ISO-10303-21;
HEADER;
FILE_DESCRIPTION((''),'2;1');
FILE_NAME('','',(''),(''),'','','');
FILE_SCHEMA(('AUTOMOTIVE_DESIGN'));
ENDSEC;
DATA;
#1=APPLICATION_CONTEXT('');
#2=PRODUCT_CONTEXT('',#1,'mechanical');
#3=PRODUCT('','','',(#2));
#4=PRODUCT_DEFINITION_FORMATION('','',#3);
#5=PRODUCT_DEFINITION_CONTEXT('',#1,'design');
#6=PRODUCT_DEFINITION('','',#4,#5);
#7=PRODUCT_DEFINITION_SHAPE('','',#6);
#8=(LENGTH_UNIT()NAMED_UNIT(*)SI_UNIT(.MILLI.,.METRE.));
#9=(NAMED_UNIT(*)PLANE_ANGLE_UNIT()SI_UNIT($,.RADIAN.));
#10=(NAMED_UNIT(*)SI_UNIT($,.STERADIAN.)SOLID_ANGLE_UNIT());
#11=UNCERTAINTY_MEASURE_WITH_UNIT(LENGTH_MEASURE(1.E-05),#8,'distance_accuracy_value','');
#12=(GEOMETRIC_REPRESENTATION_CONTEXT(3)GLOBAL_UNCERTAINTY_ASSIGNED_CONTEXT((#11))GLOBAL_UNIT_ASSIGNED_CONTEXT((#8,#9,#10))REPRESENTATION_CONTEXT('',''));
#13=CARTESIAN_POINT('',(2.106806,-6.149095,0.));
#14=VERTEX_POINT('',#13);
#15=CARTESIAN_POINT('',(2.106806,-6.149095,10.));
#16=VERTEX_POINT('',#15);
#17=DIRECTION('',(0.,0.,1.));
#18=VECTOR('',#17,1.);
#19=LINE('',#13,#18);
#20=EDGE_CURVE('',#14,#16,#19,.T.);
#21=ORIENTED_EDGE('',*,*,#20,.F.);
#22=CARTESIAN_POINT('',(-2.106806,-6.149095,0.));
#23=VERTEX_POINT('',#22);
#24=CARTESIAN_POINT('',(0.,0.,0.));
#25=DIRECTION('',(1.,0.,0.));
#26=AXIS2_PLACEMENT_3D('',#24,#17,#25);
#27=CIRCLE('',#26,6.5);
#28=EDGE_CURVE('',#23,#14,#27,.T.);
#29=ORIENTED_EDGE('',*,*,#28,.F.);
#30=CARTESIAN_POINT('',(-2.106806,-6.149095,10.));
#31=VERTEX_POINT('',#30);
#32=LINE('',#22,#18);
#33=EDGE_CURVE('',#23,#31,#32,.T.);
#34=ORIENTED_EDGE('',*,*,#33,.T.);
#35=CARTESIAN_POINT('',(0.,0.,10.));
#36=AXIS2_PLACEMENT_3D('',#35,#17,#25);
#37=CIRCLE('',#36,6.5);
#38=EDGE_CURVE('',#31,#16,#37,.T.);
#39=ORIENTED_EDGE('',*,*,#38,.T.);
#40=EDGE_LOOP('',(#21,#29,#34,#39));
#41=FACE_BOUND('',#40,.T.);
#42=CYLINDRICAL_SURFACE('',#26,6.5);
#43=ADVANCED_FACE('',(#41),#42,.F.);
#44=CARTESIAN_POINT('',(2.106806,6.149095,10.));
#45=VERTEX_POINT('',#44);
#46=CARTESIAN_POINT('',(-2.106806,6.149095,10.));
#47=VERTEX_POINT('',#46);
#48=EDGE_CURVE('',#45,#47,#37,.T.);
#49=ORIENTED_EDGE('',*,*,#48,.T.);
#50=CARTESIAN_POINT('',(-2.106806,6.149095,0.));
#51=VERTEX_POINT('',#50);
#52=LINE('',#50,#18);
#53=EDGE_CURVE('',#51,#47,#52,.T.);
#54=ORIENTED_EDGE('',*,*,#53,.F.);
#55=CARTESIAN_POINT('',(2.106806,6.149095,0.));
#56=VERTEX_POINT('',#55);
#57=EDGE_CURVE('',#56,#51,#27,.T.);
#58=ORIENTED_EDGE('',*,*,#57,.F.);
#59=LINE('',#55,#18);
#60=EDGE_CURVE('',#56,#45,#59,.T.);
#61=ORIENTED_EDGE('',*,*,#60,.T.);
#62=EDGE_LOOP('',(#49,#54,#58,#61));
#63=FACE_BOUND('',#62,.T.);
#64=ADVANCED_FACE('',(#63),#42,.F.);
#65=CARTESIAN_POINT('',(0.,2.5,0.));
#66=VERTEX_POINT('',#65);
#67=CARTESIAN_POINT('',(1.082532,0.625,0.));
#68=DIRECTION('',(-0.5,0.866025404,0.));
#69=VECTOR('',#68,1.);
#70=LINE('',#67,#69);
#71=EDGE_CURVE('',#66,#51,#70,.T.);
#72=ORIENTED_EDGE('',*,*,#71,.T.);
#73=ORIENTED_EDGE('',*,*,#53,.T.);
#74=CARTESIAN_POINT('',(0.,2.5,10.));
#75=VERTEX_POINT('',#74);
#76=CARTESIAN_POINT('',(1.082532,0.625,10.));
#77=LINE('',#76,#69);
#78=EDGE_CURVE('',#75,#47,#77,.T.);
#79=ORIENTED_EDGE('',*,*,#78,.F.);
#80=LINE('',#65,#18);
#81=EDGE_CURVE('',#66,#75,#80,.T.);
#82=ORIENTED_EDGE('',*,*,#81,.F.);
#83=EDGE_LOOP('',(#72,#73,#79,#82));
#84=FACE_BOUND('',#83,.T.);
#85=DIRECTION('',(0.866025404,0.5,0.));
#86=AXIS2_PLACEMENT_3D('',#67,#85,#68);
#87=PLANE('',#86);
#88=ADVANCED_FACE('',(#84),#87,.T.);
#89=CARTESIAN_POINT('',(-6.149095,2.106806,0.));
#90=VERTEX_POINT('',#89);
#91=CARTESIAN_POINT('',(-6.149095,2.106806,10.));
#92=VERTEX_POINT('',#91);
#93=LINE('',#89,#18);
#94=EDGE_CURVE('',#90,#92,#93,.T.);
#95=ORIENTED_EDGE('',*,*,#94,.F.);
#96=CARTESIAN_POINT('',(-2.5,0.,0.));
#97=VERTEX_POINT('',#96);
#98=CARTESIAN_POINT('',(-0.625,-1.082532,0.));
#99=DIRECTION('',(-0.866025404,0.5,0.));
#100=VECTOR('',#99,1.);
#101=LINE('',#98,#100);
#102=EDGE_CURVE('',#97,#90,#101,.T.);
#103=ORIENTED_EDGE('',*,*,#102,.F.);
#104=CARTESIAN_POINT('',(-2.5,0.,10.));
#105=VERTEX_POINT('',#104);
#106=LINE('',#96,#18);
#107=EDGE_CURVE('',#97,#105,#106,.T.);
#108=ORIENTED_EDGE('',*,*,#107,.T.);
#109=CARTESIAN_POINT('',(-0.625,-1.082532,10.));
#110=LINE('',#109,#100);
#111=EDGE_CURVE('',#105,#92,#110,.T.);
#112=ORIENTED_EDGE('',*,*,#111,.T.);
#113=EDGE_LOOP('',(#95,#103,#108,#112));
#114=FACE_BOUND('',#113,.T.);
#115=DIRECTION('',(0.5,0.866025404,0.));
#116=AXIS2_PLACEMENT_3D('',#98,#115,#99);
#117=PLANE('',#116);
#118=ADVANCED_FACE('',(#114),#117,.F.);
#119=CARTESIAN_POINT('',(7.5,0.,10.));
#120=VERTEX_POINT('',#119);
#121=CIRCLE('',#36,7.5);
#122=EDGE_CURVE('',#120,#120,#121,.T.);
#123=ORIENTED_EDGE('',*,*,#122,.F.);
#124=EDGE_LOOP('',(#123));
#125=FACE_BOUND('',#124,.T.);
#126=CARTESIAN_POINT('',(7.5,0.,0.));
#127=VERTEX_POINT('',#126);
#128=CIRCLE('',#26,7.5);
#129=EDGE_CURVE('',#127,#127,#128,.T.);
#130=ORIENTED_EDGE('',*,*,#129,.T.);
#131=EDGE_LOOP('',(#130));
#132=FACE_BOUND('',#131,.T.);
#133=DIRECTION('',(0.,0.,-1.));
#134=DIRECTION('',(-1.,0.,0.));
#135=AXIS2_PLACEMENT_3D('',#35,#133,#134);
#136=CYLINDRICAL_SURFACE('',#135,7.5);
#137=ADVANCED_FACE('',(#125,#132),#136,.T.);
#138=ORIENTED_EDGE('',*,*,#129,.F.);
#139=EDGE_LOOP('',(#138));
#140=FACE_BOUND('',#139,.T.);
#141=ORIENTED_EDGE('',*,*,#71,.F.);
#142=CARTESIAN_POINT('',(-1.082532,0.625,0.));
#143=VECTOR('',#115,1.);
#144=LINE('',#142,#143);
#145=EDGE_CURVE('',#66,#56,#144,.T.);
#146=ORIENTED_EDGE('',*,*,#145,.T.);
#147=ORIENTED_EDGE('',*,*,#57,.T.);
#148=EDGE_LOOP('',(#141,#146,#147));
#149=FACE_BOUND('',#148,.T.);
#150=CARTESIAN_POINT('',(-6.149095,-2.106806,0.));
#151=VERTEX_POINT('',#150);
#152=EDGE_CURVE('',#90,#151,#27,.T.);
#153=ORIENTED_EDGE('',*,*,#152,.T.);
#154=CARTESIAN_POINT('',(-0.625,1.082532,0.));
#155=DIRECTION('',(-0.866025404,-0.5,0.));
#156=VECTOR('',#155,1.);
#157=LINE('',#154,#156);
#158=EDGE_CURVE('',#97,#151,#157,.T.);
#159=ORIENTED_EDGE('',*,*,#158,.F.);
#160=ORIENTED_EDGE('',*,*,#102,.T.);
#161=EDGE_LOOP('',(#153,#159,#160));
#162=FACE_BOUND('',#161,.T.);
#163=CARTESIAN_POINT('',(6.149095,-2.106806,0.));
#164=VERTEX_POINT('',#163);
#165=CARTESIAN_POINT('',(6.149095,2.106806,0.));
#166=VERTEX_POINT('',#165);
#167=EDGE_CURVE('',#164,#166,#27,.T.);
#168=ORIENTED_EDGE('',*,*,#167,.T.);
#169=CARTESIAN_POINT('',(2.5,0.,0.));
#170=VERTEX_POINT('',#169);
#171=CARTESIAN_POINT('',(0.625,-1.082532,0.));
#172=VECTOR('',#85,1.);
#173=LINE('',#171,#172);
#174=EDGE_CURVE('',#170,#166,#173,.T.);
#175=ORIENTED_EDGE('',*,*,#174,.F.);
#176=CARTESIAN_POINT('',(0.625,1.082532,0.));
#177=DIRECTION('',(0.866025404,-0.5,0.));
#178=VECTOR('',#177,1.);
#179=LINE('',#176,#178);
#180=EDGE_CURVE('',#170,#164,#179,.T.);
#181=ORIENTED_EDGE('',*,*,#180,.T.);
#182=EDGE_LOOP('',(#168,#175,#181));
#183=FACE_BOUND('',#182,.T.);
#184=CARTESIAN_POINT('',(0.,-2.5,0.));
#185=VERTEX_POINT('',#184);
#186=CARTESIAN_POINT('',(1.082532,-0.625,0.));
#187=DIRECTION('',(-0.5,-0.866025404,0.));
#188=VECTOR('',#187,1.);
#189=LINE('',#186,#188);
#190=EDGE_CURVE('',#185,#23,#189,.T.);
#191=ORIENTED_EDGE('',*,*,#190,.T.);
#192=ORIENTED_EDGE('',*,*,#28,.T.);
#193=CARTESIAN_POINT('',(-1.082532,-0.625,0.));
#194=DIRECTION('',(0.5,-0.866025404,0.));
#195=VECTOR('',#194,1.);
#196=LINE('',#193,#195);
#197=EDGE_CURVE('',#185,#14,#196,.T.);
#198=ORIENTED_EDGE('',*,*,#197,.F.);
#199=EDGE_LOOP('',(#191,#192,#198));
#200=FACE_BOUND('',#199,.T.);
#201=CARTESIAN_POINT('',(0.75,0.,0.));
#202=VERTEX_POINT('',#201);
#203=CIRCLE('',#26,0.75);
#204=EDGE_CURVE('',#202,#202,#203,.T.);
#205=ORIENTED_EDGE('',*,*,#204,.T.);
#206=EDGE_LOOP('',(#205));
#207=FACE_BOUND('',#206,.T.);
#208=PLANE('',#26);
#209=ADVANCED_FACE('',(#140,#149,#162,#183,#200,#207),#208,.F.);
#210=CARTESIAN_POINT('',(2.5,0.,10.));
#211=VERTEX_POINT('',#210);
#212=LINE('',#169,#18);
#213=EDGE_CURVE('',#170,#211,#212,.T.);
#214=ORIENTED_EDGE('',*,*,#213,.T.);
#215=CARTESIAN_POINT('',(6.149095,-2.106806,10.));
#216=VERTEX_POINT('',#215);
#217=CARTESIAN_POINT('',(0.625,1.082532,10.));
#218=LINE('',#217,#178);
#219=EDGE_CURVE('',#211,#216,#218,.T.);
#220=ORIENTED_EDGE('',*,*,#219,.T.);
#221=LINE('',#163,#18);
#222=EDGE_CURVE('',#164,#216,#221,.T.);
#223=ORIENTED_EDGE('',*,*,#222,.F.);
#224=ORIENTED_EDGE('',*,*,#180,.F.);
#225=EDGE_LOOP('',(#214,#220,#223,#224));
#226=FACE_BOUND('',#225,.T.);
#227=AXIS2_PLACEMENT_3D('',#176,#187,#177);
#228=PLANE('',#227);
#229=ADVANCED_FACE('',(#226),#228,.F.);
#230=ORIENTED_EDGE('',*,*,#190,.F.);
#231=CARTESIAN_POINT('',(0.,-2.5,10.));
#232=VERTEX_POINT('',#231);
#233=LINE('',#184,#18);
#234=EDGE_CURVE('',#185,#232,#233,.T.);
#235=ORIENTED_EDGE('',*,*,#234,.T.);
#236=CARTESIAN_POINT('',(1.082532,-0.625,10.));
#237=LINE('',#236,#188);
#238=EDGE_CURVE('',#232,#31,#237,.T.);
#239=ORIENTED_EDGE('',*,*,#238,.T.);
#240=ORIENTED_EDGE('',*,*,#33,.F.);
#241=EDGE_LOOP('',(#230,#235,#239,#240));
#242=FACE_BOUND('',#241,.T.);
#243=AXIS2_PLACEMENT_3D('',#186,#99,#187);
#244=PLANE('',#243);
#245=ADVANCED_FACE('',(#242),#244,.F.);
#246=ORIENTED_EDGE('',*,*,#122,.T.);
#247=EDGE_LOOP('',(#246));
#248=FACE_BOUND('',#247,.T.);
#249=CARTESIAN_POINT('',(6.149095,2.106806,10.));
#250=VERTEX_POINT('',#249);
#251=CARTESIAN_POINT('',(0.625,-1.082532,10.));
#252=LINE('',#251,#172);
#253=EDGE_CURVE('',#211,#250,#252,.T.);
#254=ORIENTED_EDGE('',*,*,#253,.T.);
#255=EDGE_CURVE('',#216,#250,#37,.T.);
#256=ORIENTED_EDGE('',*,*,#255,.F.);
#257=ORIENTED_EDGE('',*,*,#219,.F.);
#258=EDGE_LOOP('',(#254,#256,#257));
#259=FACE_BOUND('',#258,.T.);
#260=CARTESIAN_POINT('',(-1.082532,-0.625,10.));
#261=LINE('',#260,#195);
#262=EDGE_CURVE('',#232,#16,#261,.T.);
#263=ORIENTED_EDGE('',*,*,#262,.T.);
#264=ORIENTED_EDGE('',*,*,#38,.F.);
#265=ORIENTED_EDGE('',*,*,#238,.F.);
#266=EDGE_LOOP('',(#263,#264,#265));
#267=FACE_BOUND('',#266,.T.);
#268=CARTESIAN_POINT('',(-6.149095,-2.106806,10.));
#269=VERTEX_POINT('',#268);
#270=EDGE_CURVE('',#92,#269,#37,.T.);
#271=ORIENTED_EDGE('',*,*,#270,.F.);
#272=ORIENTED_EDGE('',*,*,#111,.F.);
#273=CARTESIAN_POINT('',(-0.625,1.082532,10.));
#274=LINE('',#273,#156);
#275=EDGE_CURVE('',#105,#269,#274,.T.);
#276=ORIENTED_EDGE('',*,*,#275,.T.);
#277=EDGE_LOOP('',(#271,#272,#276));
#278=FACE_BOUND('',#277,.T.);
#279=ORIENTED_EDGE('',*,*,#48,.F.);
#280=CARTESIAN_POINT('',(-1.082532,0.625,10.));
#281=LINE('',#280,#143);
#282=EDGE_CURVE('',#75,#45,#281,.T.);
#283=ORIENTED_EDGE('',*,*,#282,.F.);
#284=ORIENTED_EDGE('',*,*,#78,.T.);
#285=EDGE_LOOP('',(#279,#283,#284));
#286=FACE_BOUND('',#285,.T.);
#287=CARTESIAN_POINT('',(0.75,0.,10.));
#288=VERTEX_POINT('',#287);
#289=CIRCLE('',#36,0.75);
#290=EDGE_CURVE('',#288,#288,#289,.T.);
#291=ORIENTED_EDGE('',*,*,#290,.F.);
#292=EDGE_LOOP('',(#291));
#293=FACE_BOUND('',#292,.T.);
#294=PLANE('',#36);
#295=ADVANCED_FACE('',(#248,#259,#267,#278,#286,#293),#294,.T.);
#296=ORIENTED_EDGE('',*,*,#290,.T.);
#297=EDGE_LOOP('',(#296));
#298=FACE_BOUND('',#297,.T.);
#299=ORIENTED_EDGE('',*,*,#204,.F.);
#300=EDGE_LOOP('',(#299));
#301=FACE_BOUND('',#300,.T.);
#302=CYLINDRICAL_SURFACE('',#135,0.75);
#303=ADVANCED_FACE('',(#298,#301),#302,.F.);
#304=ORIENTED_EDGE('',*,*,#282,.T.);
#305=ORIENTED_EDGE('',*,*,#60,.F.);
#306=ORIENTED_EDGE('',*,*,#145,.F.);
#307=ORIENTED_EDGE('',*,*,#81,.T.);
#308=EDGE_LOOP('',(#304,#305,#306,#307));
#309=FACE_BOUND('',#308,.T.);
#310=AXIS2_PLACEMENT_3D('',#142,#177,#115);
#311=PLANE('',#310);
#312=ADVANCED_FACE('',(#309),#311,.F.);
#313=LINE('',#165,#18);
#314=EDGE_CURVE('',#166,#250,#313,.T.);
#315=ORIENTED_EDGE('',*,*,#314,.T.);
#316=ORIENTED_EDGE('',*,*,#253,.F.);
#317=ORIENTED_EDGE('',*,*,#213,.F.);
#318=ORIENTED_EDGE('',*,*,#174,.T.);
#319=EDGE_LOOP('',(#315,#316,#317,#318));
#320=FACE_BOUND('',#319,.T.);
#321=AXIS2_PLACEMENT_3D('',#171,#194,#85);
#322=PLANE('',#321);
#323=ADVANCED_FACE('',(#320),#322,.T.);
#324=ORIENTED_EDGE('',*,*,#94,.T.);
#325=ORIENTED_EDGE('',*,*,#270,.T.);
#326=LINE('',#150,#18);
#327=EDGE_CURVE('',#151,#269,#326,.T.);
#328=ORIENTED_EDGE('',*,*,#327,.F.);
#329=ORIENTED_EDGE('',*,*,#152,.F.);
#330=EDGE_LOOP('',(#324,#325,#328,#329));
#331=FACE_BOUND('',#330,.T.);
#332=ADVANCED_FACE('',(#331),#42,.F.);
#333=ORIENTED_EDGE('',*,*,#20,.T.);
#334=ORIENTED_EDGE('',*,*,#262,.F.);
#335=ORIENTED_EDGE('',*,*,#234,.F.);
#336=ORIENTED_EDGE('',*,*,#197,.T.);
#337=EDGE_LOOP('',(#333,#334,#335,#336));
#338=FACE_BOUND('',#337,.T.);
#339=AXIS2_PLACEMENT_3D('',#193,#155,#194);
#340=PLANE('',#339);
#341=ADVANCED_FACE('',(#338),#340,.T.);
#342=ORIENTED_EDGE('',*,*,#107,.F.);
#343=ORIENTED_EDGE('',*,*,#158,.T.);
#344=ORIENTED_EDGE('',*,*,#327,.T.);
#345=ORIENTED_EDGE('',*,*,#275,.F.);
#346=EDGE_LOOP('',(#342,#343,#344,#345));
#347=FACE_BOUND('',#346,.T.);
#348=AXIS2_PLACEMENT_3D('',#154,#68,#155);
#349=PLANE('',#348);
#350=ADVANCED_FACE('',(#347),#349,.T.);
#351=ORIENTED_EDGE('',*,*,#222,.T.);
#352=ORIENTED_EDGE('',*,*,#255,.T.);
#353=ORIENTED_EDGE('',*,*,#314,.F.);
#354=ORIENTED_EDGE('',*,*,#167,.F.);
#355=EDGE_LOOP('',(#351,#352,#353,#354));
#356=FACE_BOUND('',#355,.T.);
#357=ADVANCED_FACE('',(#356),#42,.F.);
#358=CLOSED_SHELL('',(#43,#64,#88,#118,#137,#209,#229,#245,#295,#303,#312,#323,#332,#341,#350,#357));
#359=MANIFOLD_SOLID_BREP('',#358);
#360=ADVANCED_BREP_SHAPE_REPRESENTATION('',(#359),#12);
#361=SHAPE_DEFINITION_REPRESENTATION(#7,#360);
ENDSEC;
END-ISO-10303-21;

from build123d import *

# Parameters (mm, degrees)
SKETCH1_R           = 7.5
SKETCH1_R_2         = 0.75
BOSS_EXTRUDE1_DEPTH = 10
CUT_EXTRUDE1_DEPTH  = 11


with BuildPart() as part:
    # Sketch1 → Boss-Extrude1 (new body)
    with BuildSketch(Plane.XY):
        Circle(SKETCH1_R)
        Circle(SKETCH1_R_2, mode=Mode.SUBTRACT)
    extrude(amount=BOSS_EXTRUDE1_DEPTH)

    # Sketch2 → Cut-Extrude1 (cut, through all)
    with BuildSketch(Plane.XY.offset(10)):
        with BuildLine():
            Line((2.106805951, -6.149094948), (0, -2.5))
            Line((0, -2.5), (-2.106805951, -6.149094948))
            ThreePointArc((-2.106805951, -6.149094948), (0, -6.5), (2.106805951, -6.149094948))
        make_face()
        with BuildLine():
            Line((-6.149094948, -2.106805951), (-2.5, 0))
            Line((-2.5, 0), (-6.149094948, 2.106805951))
            ThreePointArc((-6.149094948, 2.106805951), (-6.5, 0), (-6.149094948, -2.106805951))
        make_face()
        with BuildLine():
            Line((6.149094948, 2.106805951), (2.5, 0))
            Line((2.5, 0), (6.149094948, -2.106805951))
            ThreePointArc((6.149094948, -2.106805951), (6.5, 0), (6.149094948, 2.106805951))
        make_face()
        with BuildLine():
            Line((-2.106805951, 6.149094948), (0, 2.5))
            Line((0, 2.5), (2.106805951, 6.149094948))
            ThreePointArc((2.106805951, 6.149094948), (0, 6.5), (-2.106805951, 6.149094948))
        make_face()
    extrude(amount=-CUT_EXTRUDE1_DEPTH, mode=Mode.SUBTRACT)


solid = part.part
